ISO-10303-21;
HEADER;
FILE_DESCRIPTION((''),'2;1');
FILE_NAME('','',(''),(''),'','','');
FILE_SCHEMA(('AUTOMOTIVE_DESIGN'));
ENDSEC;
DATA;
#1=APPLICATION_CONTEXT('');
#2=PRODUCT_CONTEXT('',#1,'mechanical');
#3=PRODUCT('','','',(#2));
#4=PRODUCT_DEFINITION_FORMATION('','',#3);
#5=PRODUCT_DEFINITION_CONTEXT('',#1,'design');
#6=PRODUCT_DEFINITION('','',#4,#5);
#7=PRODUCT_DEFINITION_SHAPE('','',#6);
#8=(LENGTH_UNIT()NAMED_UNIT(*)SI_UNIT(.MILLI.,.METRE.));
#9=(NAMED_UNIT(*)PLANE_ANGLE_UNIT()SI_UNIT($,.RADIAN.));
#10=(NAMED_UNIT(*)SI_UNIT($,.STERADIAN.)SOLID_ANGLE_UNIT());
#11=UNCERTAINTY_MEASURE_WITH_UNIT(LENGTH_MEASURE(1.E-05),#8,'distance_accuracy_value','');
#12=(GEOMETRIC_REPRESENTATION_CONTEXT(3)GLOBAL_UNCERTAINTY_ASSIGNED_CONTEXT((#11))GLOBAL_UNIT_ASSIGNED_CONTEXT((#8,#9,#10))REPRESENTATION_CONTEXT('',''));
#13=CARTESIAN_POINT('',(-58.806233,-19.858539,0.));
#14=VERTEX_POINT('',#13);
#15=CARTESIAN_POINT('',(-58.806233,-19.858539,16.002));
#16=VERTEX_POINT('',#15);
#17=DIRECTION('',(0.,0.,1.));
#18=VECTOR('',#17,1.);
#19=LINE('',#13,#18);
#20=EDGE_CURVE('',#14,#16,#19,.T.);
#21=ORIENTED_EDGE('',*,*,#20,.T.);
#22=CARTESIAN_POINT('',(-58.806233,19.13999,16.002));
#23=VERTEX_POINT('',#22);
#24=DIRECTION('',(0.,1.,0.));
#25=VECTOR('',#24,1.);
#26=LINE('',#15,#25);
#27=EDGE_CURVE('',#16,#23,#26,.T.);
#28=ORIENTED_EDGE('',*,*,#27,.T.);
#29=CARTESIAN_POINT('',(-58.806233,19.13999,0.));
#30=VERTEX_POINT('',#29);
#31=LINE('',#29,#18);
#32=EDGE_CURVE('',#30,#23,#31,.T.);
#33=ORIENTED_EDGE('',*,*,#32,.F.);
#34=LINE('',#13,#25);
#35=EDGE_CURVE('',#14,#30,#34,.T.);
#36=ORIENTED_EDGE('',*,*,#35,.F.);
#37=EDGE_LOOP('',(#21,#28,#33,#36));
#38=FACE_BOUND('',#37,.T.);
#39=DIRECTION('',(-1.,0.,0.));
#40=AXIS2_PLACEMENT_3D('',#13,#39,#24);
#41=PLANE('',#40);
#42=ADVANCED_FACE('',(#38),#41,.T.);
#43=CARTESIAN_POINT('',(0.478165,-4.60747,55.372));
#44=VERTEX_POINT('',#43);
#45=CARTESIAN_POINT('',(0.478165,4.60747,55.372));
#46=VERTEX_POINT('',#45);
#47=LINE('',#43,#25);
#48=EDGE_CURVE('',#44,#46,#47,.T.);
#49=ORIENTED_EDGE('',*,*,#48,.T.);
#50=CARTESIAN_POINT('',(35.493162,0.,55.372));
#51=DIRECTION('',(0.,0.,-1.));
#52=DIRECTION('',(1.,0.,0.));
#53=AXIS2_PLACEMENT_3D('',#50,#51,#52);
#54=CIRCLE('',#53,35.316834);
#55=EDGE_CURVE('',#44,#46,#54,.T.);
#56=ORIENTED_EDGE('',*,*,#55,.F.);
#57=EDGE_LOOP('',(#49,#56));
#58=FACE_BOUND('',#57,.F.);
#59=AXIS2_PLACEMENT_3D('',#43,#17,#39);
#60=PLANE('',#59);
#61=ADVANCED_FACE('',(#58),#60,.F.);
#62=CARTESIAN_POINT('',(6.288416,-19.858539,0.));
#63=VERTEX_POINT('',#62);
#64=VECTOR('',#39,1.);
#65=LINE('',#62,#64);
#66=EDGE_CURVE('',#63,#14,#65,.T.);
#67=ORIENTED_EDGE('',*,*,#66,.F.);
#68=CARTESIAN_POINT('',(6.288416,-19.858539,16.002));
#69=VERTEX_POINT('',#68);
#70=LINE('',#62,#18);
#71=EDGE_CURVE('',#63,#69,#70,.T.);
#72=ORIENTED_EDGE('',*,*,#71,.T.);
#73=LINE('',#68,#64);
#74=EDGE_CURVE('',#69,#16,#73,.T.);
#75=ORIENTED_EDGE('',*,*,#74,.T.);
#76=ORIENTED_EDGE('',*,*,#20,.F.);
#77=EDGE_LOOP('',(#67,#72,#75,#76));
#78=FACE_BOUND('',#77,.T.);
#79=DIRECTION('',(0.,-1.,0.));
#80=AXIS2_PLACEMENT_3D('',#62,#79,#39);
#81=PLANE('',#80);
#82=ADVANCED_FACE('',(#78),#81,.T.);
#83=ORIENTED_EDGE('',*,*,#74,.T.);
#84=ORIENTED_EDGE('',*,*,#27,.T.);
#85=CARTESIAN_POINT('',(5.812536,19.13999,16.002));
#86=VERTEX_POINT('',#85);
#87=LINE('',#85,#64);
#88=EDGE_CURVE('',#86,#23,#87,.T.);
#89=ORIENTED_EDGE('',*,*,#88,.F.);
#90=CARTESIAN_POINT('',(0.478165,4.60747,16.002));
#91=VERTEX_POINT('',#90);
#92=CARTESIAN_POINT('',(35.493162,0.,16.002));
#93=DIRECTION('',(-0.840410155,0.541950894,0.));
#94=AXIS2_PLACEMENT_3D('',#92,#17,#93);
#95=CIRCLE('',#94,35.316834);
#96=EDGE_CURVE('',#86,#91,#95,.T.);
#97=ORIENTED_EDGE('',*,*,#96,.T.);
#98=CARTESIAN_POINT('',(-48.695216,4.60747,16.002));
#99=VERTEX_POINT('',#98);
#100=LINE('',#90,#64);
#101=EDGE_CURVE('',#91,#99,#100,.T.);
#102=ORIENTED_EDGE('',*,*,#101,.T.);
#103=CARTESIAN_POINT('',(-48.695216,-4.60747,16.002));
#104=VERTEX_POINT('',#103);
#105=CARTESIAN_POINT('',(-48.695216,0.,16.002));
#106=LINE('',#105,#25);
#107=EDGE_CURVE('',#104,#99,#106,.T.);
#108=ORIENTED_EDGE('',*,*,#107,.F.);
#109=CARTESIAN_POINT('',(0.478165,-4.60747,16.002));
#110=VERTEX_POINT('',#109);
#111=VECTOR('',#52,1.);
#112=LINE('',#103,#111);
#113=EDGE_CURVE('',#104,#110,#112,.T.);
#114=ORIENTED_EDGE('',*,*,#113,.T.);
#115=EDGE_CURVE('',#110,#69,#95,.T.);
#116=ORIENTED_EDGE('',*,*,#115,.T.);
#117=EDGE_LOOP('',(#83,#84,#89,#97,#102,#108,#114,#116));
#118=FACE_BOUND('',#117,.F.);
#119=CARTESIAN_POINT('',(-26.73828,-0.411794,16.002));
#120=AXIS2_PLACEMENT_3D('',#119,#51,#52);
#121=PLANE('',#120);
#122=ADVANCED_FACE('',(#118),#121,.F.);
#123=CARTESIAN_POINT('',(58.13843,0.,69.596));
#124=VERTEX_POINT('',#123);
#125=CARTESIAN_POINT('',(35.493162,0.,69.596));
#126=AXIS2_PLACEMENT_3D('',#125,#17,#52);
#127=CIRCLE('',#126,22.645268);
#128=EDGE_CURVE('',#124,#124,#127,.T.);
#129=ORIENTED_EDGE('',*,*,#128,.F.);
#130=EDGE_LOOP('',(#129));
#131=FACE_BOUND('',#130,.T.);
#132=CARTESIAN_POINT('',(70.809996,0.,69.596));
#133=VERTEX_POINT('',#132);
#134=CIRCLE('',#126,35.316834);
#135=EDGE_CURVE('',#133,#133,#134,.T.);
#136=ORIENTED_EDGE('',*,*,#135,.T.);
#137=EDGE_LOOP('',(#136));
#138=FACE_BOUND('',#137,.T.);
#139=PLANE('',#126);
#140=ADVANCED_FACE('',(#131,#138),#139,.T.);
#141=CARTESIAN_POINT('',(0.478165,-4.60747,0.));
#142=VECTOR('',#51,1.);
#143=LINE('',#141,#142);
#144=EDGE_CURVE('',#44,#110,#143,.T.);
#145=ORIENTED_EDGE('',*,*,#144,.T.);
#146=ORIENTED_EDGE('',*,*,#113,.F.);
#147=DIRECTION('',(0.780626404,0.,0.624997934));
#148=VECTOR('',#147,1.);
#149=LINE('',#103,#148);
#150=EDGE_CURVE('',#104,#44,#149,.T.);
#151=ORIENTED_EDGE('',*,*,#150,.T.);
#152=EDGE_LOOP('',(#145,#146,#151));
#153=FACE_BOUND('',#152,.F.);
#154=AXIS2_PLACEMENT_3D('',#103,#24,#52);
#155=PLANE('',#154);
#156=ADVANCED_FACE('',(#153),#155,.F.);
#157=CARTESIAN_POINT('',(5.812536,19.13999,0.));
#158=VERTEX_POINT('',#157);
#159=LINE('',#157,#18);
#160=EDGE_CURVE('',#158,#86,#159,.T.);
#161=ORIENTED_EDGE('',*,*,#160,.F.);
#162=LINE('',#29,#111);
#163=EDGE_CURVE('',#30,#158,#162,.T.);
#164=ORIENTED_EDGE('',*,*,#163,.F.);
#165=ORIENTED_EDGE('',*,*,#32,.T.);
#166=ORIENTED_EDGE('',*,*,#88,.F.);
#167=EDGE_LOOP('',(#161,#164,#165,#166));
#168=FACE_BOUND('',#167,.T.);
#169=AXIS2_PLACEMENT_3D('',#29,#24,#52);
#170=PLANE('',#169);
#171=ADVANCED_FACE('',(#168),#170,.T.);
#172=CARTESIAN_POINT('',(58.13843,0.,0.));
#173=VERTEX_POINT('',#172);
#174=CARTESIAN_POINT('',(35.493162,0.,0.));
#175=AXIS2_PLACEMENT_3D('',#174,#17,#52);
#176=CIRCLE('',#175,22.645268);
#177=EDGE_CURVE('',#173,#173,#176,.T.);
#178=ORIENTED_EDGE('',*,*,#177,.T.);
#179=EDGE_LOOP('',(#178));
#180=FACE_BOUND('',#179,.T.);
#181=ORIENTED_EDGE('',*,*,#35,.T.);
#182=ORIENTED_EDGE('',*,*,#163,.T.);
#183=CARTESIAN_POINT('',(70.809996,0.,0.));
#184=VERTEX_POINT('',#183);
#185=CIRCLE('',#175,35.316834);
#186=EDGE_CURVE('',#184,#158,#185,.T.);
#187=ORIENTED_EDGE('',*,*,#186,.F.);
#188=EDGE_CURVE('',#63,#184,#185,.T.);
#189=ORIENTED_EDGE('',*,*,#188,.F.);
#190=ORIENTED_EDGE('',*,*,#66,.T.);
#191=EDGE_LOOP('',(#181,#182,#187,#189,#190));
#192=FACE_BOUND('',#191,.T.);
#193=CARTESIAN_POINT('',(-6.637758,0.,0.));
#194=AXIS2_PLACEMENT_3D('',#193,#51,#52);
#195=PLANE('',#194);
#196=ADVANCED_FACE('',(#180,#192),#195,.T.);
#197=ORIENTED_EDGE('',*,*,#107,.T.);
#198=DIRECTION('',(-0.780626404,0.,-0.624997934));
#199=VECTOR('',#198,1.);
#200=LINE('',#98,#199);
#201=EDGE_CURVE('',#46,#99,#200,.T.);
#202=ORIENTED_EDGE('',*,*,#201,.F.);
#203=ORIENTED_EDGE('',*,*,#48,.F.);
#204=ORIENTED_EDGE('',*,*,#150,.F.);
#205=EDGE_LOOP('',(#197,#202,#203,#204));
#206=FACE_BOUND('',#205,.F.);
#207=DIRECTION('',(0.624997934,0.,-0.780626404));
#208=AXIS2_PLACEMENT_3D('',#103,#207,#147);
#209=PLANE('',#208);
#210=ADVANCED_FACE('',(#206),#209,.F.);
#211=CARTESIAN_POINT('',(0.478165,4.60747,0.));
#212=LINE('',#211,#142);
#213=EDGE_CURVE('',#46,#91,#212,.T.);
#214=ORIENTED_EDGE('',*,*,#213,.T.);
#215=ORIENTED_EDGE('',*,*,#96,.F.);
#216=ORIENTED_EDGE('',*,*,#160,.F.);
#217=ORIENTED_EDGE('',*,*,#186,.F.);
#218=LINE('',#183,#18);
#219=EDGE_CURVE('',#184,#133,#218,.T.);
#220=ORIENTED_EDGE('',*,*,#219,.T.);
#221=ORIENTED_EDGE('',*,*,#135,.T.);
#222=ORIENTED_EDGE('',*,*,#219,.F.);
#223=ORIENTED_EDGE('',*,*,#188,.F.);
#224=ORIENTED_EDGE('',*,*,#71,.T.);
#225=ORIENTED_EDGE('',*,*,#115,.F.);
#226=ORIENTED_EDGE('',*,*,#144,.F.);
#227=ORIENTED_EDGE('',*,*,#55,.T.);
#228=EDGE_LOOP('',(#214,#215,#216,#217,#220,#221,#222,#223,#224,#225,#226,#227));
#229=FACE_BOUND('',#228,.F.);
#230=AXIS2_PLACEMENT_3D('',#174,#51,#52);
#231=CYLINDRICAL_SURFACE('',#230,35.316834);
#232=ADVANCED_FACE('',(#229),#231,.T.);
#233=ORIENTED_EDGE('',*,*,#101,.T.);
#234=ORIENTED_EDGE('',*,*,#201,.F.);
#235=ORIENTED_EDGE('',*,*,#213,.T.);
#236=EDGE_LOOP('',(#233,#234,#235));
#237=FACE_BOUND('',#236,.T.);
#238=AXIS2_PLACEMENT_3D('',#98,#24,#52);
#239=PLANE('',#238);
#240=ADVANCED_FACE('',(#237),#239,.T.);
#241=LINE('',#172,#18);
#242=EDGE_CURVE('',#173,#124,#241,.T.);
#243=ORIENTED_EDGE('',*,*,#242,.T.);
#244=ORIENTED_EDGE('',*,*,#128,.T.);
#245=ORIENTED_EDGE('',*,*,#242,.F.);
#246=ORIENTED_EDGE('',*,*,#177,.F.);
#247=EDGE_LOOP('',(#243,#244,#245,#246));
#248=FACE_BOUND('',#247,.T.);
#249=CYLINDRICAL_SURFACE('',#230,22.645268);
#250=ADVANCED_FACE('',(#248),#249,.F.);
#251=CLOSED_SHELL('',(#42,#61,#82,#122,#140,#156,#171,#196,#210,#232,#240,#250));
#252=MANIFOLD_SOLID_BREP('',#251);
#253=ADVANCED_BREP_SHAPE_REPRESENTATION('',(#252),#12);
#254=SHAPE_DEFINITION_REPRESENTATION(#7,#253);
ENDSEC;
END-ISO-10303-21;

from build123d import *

# Parameters (mm, degrees)
F0_R     = 35.316834
F0_R_2   = 22.645268
F1_DEPTH = 69.596
F3_DEPTH = 16.002
F4_W     = 31.616599
F4_H     = 9.21494
F5_DEPTH = 55.372
F6_W     = 26.249159
F6_H     = 9.21494
F7_DEPTH = 39.37
F9_DEPTH = 38.1


with BuildPart() as f1:
    # F0 (on Top) → F1 (new body)
    with BuildSketch(Plane.XY):
        with Locations((35.493162, 0)):
            Circle(F0_R)
        with Locations((35.493162, 0)):
            Circle(F0_R_2, mode=Mode.SUBTRACT)
    extrude(amount=F1_DEPTH)

    # F2 (on face) → F3 (join)
    with BuildSketch(Plane(origin=(0, 0, 0), x_dir=(1, 0, 0), z_dir=(0, 0, -1))):
        with BuildLine():
            Line((-58.806233, -19.13999), (5.812536, -19.13999))
            ThreePointArc((5.812536, -19.13999), (0.178957, 0.430922), (6.288416, 19.858539))
            Line((6.288416, 19.858539), (-58.806233, 19.858539))
            Line((-58.806233, 19.858539), (-58.806233, -19.13999))
        make_face()
    extrude(amount=-F3_DEPTH)

    # F4 (on face) → F5 (join)
    with BuildSketch(Plane(origin=(0, 0, 0), x_dir=(1, 0, 0), z_dir=(0, 0, -1))):
        with Locations((-6.637758, 0)):
            Rectangle(F4_W, F4_H)
    extrude(amount=-F5_DEPTH)

    # F6 (on face) → F7 (join)
    with BuildSketch(Plane.XY.offset(16.002)):
        with Locations((-35.570636, 0)):
            Rectangle(F6_W, F6_H)
    extrude(amount=F7_DEPTH)

    # F8 (on face) → F9 (cut)
    with BuildSketch(Plane.XZ.offset(4.60747)):
        Polygon((-48.695216, 16.002), (0.478165, 55.372), (-48.695216, 55.372), align=None)
    extrude(amount=-F9_DEPTH, mode=Mode.SUBTRACT)


solid = f1.part
